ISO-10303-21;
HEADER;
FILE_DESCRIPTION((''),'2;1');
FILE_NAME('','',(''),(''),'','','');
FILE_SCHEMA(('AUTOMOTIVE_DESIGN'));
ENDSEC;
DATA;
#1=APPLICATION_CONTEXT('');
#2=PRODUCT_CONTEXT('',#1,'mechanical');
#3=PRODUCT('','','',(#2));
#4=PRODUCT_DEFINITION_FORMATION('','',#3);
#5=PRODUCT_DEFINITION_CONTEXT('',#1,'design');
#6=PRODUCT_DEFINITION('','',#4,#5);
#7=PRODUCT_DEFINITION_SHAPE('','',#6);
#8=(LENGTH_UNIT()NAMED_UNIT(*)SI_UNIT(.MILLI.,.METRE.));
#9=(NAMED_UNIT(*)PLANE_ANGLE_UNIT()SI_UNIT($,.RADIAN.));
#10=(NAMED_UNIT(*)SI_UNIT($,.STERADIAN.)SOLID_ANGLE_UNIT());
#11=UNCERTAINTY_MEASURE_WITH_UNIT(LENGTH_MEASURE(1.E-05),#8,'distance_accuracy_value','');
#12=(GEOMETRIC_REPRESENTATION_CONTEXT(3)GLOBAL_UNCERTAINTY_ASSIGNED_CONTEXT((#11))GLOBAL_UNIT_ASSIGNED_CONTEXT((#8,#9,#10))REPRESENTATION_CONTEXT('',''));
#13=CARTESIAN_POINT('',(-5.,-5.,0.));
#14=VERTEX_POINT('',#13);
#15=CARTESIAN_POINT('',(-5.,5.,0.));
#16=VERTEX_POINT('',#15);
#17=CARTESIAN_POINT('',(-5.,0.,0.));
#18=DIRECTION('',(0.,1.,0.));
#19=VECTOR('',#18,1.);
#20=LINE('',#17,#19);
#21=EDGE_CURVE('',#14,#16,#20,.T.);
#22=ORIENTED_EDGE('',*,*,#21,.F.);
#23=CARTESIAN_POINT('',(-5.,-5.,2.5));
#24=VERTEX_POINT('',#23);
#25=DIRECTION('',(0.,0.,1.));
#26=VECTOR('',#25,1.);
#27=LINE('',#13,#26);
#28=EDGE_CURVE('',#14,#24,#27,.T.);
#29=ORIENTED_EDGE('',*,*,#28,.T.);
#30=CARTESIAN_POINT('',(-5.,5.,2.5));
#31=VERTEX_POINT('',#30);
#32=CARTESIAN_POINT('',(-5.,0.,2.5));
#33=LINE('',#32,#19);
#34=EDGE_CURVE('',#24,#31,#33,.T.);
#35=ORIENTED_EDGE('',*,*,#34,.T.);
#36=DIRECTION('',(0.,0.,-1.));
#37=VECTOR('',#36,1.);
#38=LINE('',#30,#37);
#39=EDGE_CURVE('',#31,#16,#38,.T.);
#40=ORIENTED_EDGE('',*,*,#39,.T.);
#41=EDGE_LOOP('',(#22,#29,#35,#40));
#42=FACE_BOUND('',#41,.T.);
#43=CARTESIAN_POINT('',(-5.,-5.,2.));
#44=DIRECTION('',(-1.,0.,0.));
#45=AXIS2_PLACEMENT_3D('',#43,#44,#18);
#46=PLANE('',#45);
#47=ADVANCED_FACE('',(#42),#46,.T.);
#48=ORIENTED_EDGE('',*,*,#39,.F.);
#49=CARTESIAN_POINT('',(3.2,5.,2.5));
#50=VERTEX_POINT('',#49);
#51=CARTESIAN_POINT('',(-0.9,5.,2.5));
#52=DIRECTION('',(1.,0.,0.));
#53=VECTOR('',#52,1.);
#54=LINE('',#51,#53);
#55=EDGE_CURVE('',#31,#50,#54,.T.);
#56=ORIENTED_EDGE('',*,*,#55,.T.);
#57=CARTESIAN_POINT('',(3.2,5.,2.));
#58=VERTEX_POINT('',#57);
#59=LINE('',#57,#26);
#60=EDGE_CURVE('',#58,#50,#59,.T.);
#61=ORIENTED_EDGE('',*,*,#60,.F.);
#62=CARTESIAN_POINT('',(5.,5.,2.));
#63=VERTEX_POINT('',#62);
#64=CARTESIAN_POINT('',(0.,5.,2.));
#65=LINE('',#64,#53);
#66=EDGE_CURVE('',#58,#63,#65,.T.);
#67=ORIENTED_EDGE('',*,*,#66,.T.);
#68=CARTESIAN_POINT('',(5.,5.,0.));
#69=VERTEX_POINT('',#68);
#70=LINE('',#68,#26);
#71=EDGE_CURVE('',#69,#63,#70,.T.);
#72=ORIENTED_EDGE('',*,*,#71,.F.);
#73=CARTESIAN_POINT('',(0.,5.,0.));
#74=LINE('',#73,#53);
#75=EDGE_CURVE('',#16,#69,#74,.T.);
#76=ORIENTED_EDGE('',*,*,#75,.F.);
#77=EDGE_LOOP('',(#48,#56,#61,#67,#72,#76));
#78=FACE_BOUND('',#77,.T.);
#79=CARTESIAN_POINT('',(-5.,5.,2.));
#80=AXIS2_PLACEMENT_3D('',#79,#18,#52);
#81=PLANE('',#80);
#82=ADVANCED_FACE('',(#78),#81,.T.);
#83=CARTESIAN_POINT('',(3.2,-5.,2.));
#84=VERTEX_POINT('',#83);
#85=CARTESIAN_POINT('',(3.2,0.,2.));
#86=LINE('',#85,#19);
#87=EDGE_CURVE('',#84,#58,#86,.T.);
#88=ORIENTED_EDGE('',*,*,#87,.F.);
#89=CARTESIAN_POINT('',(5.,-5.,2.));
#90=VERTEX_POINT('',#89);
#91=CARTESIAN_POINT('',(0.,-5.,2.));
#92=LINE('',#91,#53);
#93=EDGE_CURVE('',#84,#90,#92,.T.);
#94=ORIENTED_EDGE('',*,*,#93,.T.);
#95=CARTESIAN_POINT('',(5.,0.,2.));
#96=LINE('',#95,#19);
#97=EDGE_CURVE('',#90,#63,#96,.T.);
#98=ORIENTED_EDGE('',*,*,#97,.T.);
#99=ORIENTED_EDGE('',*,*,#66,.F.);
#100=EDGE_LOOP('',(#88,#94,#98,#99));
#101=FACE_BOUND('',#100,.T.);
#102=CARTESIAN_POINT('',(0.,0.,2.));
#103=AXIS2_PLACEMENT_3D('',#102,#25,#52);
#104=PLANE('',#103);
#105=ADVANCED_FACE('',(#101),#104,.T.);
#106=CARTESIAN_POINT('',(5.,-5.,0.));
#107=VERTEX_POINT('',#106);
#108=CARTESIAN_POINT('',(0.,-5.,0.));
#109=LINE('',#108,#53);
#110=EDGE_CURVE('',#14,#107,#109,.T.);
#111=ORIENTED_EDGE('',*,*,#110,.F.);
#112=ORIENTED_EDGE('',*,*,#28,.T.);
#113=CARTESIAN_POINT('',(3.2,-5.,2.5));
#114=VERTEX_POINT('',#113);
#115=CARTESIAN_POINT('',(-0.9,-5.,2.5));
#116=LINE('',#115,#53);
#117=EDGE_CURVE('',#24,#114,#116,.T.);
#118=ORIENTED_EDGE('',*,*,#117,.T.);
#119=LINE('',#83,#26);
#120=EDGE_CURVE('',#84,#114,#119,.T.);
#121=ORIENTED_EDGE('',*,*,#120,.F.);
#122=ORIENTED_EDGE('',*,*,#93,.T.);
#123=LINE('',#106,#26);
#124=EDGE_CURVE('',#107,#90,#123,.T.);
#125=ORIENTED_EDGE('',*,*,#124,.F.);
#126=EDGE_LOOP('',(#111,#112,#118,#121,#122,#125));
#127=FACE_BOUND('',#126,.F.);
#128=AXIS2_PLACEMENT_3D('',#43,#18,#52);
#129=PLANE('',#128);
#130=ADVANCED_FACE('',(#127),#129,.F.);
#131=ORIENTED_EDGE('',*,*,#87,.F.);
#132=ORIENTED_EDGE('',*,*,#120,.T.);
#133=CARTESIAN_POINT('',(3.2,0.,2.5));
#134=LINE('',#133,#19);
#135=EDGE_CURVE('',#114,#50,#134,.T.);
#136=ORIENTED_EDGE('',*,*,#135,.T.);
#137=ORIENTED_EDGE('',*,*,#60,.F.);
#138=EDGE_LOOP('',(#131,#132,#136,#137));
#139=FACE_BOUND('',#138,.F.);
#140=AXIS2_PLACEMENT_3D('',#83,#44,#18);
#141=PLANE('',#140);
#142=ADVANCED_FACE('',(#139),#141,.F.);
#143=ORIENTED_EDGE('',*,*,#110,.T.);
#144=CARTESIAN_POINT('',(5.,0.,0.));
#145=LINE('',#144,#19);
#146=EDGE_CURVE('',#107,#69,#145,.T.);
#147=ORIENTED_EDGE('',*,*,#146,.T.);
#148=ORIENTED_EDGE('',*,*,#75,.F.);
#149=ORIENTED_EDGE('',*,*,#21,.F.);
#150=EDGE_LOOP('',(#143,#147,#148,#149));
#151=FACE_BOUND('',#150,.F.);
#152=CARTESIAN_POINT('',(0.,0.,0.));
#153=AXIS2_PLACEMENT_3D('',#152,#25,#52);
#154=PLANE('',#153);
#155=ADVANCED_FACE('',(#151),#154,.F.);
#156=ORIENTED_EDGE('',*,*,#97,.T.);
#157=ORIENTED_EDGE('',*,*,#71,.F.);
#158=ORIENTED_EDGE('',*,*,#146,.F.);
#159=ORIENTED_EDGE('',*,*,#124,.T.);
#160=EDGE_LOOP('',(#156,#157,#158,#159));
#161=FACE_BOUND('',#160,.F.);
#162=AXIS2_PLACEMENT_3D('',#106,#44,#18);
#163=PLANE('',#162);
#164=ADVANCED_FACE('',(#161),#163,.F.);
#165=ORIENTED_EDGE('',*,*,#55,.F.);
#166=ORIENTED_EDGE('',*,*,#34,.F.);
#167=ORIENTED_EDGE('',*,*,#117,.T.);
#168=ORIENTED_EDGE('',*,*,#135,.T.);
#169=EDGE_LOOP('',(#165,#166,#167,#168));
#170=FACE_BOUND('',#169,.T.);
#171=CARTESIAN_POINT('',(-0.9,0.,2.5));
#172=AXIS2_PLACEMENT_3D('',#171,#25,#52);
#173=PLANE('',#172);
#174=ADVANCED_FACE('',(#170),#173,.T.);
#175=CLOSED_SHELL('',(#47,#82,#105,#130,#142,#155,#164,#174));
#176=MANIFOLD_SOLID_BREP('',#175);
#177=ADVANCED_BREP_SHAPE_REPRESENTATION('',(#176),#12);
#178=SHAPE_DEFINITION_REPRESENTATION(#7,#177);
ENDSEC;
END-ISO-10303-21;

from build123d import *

# Parameters (mm, degrees)
SKETCH_W     = 10
SKETCH_H     = 10
PAD_DEPTH    = 2
SKETCH001_W  = 8.2
SKETCH001_H  = 10
PAD001_DEPTH = 0.5


with BuildPart() as part:
    # Sketch → Pad (new body)
    with BuildSketch(Plane.XY):
        Rectangle(SKETCH_W, SKETCH_H)
    extrude(amount=PAD_DEPTH)

    # Sketch001 (on Face6 of Pad) → Pad001 (join)
    with BuildSketch(Plane.XY.offset(2)):
        with Locations((-0.9, 0)):
            Rectangle(SKETCH001_W, SKETCH001_H)
    extrude(amount=PAD001_DEPTH)


solid = part.part
